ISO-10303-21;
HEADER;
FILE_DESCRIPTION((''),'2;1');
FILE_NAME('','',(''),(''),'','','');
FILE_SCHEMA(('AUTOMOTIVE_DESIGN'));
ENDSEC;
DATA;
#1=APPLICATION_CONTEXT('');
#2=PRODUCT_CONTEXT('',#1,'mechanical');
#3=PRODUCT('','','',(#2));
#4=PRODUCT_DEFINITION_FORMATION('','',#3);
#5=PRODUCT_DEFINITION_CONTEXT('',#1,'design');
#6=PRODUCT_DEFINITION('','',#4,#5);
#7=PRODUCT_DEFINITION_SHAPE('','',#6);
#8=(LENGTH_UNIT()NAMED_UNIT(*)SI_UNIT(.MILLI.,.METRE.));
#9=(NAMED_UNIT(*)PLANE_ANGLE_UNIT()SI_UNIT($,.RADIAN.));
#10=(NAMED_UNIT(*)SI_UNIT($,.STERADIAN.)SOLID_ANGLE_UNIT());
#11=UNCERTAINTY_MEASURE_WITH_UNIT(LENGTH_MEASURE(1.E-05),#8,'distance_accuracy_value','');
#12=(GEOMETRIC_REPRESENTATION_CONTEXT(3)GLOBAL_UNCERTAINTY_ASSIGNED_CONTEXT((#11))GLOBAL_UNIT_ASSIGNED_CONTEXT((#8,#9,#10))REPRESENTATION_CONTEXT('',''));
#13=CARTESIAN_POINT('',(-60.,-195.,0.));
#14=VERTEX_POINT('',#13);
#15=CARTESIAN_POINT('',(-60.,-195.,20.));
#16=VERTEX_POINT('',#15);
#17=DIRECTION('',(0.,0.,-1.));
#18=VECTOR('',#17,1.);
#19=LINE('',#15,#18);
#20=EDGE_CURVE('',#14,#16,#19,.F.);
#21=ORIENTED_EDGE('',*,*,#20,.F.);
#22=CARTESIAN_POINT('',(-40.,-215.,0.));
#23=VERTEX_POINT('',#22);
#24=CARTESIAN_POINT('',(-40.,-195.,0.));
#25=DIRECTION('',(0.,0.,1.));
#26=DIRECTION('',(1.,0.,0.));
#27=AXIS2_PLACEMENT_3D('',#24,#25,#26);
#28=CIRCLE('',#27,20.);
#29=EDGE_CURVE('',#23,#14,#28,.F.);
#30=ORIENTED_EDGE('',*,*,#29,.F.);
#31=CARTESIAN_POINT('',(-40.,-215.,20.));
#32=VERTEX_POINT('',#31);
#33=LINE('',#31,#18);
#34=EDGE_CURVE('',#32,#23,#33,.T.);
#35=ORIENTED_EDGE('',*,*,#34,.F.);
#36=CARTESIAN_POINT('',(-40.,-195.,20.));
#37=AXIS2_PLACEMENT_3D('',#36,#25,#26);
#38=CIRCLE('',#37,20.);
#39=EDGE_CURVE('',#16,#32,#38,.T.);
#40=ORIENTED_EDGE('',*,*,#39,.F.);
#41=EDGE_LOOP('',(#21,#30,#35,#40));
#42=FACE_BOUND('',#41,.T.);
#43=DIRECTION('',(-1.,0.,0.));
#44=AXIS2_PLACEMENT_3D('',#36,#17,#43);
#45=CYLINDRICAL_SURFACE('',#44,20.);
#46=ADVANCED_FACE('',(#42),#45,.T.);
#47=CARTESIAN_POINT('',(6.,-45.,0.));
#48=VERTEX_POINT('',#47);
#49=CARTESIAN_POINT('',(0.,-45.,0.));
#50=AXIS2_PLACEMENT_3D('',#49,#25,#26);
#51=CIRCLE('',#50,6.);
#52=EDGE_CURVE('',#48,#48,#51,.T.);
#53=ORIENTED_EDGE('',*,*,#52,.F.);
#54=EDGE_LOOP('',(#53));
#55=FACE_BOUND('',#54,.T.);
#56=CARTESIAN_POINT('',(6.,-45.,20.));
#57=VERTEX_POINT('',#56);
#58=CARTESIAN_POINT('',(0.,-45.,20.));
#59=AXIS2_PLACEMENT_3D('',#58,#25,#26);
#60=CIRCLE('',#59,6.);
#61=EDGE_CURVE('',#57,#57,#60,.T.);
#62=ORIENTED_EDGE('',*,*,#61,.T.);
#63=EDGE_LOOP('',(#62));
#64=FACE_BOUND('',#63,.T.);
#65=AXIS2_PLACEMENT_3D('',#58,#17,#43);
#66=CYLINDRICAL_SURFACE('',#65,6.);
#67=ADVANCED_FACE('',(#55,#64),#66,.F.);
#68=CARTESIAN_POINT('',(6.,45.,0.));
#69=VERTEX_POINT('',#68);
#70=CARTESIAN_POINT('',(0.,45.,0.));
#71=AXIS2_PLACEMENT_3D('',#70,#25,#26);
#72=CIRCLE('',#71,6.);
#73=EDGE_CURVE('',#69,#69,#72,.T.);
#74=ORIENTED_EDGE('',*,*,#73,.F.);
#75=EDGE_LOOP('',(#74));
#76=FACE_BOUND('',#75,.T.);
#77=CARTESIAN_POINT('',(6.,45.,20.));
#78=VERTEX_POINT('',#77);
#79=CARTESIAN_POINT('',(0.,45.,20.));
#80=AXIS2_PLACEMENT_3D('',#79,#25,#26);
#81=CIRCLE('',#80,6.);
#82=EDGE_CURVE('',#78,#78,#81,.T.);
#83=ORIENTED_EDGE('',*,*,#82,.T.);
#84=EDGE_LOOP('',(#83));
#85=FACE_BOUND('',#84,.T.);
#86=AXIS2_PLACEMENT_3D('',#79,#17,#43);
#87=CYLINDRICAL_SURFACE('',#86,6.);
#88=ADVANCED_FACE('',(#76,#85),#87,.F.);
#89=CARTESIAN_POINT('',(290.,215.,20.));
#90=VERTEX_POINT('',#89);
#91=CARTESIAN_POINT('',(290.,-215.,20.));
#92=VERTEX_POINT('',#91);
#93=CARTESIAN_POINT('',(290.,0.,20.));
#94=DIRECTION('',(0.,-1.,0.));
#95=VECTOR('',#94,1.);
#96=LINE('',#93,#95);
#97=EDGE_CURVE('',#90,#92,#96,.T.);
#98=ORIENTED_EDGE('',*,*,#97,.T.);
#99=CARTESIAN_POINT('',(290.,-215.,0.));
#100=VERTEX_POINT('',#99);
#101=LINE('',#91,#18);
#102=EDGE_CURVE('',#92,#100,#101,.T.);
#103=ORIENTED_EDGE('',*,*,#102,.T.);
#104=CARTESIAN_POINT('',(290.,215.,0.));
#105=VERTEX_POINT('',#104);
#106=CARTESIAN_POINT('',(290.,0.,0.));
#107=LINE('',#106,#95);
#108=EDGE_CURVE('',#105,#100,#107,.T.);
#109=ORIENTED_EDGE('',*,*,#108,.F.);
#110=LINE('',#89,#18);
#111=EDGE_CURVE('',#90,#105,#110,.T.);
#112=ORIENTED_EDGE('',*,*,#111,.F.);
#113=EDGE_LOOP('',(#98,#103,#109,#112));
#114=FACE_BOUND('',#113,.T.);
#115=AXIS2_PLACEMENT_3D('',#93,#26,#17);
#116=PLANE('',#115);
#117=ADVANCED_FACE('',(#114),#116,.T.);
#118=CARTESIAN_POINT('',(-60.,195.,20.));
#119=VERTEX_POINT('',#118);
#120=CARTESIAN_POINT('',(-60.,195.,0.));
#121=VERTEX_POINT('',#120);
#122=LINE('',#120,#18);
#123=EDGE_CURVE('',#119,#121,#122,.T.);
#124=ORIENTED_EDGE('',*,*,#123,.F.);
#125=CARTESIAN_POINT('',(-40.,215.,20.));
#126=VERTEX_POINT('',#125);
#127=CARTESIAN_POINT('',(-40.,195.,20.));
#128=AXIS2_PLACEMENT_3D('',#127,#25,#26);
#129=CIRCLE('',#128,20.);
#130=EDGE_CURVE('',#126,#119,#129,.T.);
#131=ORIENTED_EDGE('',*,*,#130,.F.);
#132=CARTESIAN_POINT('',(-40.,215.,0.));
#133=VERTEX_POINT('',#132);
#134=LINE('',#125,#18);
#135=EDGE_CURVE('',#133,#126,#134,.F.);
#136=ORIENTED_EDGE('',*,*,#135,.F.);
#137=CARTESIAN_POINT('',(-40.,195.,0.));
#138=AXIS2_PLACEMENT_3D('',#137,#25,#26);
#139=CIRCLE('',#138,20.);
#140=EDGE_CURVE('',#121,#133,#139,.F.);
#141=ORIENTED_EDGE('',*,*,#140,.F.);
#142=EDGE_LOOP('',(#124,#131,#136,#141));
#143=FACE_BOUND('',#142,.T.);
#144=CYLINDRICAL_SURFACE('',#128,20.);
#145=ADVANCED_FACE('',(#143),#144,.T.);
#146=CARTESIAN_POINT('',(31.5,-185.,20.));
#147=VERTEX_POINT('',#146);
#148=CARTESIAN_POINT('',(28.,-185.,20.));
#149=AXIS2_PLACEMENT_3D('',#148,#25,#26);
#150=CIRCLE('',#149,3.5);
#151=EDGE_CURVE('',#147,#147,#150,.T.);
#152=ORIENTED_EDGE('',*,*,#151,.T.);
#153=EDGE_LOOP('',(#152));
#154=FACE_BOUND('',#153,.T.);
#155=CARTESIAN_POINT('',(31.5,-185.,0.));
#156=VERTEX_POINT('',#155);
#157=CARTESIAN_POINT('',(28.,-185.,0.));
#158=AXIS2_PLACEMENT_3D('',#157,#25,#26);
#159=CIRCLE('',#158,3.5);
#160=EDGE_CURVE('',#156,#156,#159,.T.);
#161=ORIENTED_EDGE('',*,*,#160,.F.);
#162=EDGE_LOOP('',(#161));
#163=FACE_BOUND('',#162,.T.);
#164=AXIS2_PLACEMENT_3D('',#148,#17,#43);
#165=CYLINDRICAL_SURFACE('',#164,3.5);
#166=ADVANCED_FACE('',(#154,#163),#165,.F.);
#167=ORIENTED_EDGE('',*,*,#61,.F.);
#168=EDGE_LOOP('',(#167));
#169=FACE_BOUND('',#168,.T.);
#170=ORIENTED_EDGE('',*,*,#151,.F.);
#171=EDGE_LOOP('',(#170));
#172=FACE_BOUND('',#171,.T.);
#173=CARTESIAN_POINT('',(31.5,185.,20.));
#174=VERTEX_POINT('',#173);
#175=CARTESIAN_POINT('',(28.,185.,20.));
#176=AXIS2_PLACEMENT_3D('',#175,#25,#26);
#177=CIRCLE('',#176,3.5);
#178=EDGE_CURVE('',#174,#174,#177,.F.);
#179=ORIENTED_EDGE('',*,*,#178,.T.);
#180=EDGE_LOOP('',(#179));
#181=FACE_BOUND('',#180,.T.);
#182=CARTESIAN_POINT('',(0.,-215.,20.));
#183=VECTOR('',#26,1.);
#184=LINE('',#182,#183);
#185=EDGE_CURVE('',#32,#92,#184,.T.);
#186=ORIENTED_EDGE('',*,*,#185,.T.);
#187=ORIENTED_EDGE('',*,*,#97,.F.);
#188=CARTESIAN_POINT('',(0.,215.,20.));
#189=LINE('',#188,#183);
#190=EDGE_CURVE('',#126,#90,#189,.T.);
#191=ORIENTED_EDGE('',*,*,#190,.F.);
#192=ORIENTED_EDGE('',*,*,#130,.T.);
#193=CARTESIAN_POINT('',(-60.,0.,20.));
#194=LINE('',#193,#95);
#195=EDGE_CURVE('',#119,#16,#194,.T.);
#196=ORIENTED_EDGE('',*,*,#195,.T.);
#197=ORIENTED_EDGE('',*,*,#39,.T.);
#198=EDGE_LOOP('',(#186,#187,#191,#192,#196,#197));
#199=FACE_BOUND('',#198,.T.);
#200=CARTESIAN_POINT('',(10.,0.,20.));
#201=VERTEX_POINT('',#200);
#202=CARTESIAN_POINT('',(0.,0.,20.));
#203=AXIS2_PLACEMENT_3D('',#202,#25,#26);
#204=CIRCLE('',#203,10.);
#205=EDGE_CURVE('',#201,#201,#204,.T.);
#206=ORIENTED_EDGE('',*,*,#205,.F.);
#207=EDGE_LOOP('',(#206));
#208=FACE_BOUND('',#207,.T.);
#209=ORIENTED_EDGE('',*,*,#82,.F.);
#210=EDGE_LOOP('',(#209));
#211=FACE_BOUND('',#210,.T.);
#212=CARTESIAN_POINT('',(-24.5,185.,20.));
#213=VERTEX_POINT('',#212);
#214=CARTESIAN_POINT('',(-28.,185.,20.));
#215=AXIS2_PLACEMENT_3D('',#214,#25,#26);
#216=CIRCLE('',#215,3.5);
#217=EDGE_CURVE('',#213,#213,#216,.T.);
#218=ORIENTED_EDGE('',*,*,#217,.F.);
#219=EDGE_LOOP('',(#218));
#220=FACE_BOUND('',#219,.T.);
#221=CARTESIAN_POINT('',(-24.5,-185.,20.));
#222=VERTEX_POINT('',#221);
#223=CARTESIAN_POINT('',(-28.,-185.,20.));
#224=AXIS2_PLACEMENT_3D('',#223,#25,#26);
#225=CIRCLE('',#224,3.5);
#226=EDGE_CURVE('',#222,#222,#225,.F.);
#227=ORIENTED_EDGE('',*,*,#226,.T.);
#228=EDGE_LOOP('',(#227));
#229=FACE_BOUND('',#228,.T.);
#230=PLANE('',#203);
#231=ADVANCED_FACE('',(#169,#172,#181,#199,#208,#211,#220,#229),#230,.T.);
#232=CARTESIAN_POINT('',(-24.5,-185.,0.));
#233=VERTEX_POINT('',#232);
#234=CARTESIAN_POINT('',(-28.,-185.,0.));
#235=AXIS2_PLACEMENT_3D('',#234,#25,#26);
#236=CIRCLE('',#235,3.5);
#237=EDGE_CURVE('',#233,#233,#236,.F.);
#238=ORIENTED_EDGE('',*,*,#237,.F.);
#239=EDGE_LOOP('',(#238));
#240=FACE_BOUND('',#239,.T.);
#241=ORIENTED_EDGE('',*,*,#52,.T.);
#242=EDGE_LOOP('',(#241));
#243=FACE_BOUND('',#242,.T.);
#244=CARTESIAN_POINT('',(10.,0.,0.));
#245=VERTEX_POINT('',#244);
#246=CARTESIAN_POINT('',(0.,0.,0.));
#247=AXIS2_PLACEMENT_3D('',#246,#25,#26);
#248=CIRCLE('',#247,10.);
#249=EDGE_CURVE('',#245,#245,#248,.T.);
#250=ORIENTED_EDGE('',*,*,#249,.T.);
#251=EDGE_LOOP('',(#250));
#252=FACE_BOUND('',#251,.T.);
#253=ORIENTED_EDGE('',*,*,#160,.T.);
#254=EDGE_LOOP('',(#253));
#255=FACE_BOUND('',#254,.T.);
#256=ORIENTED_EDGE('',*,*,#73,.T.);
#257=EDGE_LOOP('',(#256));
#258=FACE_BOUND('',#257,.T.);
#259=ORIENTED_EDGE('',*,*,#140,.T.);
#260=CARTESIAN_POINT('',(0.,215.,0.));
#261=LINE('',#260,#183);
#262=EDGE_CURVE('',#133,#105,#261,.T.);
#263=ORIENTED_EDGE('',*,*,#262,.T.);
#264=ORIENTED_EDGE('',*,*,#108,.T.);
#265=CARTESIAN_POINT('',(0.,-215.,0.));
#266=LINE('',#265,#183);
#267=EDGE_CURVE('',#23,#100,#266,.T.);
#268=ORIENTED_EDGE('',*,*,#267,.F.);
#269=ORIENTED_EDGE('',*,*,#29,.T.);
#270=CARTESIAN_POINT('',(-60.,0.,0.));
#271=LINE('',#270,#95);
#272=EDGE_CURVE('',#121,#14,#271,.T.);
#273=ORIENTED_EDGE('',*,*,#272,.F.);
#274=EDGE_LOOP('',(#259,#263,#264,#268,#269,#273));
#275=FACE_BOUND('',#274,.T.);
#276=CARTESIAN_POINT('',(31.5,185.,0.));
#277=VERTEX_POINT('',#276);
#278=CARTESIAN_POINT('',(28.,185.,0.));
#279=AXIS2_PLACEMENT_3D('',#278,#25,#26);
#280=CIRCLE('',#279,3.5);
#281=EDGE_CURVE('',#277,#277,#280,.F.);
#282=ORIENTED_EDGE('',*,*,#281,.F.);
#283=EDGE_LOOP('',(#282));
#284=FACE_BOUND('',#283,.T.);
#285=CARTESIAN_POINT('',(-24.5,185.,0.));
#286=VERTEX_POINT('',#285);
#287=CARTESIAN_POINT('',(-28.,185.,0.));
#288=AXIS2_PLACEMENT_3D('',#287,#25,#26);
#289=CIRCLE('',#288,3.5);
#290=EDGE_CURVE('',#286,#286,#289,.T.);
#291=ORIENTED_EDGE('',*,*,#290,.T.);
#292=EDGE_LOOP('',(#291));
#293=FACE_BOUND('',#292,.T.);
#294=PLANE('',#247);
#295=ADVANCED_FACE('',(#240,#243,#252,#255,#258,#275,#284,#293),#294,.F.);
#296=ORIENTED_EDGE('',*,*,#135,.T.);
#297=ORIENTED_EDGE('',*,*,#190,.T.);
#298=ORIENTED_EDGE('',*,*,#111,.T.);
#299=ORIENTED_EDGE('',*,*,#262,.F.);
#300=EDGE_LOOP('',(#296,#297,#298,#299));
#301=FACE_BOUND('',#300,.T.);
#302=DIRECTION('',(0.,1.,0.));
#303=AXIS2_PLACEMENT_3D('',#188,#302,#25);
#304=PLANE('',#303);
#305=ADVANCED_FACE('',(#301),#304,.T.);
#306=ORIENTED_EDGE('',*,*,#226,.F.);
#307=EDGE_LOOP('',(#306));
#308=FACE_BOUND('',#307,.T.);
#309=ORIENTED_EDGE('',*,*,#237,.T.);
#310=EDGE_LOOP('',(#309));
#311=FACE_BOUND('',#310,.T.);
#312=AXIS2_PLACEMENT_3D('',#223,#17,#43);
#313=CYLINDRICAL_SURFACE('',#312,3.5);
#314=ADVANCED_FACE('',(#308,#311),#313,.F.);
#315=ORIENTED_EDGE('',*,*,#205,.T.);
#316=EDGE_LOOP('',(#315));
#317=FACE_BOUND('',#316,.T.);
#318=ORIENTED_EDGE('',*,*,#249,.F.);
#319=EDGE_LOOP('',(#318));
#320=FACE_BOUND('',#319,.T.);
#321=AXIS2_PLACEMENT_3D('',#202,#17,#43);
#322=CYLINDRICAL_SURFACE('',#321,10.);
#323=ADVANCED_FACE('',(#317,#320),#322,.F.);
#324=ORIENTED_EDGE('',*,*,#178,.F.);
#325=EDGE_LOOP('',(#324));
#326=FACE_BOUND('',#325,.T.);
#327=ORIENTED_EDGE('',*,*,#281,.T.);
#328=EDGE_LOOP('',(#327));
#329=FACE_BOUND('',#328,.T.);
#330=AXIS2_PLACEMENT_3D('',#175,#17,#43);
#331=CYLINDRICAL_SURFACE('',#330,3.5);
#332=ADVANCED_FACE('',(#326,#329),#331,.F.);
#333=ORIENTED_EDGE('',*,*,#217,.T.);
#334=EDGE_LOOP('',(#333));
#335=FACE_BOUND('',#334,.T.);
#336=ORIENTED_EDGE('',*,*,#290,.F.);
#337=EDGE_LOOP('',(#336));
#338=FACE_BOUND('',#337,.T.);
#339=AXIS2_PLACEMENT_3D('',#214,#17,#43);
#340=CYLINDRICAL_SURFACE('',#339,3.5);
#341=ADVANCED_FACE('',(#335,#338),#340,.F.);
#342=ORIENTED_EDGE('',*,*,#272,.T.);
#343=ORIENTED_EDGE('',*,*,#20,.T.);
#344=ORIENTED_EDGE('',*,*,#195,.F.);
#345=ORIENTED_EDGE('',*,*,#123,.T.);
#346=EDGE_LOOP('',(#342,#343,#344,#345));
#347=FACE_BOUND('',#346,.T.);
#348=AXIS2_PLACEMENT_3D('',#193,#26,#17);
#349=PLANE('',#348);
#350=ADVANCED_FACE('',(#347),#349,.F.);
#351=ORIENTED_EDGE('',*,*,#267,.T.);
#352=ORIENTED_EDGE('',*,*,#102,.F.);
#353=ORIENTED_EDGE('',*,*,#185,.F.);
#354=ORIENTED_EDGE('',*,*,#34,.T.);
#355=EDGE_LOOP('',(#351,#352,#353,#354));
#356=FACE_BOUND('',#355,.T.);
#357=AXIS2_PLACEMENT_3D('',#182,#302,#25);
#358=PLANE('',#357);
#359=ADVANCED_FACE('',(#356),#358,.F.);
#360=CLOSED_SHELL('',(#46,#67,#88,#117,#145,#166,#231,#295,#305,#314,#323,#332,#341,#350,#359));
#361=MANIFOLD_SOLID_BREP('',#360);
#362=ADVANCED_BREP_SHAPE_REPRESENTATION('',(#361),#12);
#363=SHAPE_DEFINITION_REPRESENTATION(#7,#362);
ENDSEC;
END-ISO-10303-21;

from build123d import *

# Parameters (mm, degrees)
SKETCH_1_W      = 350
SKETCH_1_H      = 430
SKETCH_1_R      = 3.5
SKETCH_1_R_2    = 6
SKETCH_1_R_3    = 10
EXTRUDE_1_DEPTH = 20
FILLET_1_R      = 20


with BuildPart() as part:
    # Эскиз1 → Бобышка-Вытянуть1 (new body)
    with BuildSketch(Plane.XY):
        with Locations((115, 0)):
            Rectangle(SKETCH_1_W, SKETCH_1_H)
        with Locations((-28, -185)):
            Circle(SKETCH_1_R, mode=Mode.SUBTRACT)
        with Locations((28, -185)):
            Circle(SKETCH_1_R, mode=Mode.SUBTRACT)
        with Locations((0, -45)):
            Circle(SKETCH_1_R_2, mode=Mode.SUBTRACT)
        Circle(SKETCH_1_R_3, mode=Mode.SUBTRACT)
        with Locations((0, 45)):
            Circle(SKETCH_1_R_2, mode=Mode.SUBTRACT)
        with Locations((-28, 185)):
            Circle(SKETCH_1_R, mode=Mode.SUBTRACT)
        with Locations((28, 185)):
            Circle(SKETCH_1_R, mode=Mode.SUBTRACT)
    extrude(amount=EXTRUDE_1_DEPTH)

    # Скругление1
    fillet_1_edges = [part.edges().sort_by_distance(p)[0] for p in [
        (-60, 215, 10),
        (-60, -215, 10),
    ]]
    fillet(fillet_1_edges, radius=FILLET_1_R)


solid = part.part
